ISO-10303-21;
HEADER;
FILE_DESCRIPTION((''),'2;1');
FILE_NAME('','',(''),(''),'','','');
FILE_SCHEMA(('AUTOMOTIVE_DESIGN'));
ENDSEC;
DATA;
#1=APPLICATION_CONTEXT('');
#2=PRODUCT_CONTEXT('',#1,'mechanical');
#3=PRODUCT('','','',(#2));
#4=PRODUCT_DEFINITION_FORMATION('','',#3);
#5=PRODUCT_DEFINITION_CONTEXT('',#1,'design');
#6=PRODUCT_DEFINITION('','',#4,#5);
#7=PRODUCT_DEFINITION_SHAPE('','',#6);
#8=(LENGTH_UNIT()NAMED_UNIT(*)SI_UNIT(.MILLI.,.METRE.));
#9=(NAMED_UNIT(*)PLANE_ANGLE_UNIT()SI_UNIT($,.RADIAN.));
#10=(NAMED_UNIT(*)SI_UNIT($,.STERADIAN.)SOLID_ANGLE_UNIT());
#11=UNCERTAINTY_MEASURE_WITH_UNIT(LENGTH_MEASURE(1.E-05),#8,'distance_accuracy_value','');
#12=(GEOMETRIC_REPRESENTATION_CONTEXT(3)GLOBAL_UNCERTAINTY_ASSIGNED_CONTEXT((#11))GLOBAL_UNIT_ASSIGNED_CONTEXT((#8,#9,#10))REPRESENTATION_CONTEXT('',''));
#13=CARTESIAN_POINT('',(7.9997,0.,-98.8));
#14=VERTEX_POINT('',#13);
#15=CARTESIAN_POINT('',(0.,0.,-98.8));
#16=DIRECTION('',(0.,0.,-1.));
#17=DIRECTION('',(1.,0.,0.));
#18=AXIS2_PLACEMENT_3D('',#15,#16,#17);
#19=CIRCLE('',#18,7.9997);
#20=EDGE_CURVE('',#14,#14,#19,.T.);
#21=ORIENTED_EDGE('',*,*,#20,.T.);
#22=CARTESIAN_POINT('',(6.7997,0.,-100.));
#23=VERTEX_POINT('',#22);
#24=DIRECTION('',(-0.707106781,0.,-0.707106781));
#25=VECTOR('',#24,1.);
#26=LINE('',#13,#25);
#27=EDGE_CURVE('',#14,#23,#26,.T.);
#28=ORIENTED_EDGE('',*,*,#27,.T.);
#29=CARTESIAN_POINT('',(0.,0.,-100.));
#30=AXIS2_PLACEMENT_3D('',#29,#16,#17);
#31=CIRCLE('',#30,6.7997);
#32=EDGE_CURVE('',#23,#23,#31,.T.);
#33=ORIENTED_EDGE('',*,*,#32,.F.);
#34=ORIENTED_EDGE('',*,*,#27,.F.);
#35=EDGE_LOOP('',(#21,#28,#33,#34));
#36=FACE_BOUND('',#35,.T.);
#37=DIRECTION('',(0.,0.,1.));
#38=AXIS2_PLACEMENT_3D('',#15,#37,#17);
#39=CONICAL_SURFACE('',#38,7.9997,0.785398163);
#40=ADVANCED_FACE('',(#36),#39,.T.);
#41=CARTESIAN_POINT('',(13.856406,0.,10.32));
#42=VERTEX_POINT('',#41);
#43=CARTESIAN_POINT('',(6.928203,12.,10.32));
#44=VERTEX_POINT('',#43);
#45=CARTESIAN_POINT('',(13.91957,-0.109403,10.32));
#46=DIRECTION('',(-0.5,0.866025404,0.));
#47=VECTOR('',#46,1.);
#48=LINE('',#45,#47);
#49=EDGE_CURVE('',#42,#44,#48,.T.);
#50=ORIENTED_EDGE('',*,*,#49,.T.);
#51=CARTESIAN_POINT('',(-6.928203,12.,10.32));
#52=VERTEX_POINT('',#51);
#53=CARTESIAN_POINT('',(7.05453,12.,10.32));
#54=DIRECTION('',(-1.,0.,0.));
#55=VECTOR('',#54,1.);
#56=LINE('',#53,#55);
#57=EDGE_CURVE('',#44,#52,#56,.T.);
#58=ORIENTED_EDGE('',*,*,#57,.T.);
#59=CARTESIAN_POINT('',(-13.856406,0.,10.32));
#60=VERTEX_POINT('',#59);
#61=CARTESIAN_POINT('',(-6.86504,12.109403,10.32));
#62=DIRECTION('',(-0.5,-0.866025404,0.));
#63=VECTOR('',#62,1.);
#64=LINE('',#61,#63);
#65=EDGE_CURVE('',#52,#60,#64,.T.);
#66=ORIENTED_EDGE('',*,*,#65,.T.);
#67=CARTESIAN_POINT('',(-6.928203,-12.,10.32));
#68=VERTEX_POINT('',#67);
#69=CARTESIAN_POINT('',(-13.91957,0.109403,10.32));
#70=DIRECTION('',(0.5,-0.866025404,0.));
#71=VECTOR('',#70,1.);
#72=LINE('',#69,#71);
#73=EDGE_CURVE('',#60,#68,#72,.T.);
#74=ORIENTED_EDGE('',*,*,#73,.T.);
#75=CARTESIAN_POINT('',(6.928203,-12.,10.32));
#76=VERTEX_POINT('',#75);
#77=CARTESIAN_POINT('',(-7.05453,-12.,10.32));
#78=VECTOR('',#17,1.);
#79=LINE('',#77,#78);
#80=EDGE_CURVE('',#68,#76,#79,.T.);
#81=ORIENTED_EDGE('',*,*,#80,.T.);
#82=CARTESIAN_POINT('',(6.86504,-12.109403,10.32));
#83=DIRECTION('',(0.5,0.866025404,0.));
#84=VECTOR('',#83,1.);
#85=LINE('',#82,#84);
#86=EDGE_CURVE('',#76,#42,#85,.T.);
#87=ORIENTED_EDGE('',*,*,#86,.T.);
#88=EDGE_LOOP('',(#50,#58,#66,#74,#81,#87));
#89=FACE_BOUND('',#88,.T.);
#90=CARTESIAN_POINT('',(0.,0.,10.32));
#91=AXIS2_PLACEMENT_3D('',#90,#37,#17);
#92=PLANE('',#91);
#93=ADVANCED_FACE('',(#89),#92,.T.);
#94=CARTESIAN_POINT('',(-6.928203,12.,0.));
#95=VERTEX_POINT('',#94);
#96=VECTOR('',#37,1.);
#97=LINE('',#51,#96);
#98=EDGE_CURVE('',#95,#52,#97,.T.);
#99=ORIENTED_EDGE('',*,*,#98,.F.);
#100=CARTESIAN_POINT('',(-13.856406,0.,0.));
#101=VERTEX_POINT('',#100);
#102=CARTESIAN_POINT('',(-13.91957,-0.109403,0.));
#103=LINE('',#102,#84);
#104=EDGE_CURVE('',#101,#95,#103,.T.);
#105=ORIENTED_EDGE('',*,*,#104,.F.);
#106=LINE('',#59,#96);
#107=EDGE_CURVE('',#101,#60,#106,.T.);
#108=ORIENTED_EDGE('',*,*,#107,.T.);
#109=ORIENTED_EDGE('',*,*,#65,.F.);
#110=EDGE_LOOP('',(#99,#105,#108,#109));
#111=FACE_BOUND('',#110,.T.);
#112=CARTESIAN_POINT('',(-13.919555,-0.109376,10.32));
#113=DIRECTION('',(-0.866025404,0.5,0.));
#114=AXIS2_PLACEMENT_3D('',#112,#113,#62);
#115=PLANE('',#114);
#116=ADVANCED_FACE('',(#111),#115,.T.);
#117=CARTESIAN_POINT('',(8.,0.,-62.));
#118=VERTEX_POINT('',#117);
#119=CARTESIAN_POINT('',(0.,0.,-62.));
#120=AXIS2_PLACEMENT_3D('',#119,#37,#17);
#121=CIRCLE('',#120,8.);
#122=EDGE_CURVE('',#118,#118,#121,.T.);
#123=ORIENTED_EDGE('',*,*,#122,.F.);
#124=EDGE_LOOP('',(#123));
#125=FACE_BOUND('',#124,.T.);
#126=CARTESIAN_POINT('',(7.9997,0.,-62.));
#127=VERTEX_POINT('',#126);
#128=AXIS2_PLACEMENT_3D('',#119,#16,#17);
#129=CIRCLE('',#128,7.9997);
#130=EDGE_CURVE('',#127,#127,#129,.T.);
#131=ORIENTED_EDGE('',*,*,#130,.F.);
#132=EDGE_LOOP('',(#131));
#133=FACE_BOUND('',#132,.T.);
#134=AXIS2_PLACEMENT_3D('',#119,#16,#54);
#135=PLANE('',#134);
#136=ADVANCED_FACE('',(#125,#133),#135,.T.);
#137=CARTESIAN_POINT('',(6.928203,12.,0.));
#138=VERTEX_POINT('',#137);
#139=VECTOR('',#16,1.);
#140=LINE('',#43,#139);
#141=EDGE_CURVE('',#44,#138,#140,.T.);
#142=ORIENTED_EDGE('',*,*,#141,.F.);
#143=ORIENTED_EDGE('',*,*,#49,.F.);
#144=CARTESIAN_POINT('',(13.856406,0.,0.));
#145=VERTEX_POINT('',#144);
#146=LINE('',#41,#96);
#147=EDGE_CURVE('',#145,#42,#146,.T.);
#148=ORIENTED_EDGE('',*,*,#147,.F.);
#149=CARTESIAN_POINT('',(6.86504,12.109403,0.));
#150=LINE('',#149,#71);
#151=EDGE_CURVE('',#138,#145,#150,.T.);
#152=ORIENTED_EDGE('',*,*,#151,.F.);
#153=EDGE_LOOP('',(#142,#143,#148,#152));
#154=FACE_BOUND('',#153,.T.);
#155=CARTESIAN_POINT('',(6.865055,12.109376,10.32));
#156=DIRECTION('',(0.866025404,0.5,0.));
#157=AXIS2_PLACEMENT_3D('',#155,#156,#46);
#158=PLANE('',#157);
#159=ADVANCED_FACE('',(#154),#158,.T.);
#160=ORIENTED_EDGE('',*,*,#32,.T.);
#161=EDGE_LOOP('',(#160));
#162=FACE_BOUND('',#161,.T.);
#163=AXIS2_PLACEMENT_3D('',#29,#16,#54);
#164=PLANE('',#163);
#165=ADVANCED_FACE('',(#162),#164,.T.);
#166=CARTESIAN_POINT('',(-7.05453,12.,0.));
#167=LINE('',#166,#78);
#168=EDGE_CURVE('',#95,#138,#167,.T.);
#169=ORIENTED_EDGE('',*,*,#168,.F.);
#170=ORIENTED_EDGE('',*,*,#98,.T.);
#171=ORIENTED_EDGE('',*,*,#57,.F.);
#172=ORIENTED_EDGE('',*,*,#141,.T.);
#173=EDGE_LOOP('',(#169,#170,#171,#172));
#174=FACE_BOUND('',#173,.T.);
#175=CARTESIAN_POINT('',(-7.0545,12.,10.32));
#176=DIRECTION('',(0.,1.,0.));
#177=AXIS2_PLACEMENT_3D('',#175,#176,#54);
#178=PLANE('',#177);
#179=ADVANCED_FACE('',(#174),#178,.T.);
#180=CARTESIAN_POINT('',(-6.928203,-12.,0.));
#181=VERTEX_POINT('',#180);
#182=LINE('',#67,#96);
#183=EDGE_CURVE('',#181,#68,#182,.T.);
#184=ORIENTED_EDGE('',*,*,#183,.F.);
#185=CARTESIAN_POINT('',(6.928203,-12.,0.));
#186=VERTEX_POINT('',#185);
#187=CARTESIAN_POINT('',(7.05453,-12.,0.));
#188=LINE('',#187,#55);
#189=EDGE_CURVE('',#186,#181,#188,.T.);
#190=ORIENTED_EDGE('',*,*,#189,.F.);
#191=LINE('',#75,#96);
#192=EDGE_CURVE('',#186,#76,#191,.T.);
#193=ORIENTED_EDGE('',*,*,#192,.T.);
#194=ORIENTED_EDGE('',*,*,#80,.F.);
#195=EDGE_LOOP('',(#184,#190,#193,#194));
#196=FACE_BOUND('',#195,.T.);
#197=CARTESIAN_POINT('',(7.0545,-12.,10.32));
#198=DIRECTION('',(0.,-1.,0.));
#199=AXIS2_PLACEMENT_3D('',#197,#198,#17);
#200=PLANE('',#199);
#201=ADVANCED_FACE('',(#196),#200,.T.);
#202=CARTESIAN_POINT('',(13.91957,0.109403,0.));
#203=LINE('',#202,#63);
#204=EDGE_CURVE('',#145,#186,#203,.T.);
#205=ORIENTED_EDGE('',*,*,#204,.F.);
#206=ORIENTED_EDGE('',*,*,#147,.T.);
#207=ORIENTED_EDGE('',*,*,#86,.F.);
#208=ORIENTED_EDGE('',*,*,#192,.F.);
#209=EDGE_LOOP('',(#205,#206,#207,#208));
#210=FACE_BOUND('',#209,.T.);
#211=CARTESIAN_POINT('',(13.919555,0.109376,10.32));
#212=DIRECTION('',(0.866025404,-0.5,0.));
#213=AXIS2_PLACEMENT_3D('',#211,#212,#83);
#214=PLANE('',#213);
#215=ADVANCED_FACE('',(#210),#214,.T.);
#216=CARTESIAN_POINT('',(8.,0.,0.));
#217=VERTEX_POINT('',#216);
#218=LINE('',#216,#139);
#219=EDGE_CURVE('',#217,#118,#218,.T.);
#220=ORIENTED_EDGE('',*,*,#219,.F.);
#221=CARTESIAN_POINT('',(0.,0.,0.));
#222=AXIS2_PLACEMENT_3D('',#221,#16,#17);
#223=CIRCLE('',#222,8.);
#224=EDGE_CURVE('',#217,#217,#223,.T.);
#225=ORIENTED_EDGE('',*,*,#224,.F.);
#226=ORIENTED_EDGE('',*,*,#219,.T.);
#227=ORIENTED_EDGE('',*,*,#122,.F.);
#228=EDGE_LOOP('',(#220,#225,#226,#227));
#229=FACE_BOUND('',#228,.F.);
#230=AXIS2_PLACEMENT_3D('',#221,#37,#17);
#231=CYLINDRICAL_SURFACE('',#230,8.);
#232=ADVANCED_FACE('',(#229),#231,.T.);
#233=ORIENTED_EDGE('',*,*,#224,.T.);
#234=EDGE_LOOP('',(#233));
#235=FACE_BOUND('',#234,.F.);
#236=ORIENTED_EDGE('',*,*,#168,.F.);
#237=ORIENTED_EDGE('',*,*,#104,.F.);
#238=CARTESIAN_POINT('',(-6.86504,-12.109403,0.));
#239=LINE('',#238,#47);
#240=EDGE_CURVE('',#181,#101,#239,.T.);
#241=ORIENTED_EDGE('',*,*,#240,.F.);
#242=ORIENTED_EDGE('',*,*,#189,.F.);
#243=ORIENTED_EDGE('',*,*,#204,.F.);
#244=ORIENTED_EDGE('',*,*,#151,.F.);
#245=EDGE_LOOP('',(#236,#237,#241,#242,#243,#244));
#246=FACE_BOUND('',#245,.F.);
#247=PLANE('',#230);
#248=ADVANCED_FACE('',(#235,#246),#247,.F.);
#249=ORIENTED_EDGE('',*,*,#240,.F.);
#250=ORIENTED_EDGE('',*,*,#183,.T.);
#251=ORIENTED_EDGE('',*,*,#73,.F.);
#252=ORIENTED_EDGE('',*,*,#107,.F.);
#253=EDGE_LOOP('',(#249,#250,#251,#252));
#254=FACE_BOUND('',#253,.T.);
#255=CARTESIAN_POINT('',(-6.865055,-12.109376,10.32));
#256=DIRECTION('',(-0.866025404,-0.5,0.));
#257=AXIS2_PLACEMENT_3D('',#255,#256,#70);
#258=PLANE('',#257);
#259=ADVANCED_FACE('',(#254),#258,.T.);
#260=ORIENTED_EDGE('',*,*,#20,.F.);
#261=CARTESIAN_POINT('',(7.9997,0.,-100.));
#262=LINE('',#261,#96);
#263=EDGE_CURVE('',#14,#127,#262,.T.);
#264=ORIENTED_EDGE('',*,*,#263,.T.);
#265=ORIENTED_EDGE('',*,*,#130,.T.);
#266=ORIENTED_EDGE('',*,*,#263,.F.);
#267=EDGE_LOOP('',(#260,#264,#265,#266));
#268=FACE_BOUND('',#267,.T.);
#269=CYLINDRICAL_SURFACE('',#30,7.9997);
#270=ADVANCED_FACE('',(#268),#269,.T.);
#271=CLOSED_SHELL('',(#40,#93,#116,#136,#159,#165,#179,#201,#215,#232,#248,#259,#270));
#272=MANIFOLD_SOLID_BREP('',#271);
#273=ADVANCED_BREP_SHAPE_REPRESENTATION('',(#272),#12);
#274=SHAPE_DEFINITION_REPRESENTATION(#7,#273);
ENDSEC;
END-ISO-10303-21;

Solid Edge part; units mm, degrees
sketch "Sketch1" plane through (0, 0, 0) normal (0, 0, 1) x (1, 0, 0)
  circle A0 centre (0, 0) radius 13.92
  dimension "D1" = 27.84
extrude "Protrusion1" add sketch "Sketch1" along normal blind 10.32
sketch "Sketch2" plane through (0, 0, 0) normal (0, 0, -1) x (1, 0, 0)
  circle A0 centre (0, 0) radius 8
extrude "Protrusion2" add sketch "Sketch2" along normal blind 100
sketch "Sketch3" plane through (0, 0, -100) normal (0, 0, -1) x (1, 0, 0)
  circle A0 centre (0, 0) radius 7.9997
extrude "Cutout1" cut sketch "Sketch3" against normal blind 38 flip side to cut
chamfer "Chamfer_1" distance 1.2 angle 45 1 edges at (-7.9997, 0, -100)
sketch "Sketch4" plane through (0, 0, 10.32) normal (0, 0, 1) x (1, 0, 0)
  line L0 (-7.0545, 12) -> (7.0545, 12)
  dimension "D1" = 24
extrude "Cutout2" cut sketch "Sketch4" against normal up to next material side at (0, 12.05, 10.32)
pattern_circular "Pattern1" count 6 over 360 about axis through (0, 0, 10.32) along (0, 0, 1) of "Cutout2"
properties part number "118588" material "Stainless Steel, 304"
